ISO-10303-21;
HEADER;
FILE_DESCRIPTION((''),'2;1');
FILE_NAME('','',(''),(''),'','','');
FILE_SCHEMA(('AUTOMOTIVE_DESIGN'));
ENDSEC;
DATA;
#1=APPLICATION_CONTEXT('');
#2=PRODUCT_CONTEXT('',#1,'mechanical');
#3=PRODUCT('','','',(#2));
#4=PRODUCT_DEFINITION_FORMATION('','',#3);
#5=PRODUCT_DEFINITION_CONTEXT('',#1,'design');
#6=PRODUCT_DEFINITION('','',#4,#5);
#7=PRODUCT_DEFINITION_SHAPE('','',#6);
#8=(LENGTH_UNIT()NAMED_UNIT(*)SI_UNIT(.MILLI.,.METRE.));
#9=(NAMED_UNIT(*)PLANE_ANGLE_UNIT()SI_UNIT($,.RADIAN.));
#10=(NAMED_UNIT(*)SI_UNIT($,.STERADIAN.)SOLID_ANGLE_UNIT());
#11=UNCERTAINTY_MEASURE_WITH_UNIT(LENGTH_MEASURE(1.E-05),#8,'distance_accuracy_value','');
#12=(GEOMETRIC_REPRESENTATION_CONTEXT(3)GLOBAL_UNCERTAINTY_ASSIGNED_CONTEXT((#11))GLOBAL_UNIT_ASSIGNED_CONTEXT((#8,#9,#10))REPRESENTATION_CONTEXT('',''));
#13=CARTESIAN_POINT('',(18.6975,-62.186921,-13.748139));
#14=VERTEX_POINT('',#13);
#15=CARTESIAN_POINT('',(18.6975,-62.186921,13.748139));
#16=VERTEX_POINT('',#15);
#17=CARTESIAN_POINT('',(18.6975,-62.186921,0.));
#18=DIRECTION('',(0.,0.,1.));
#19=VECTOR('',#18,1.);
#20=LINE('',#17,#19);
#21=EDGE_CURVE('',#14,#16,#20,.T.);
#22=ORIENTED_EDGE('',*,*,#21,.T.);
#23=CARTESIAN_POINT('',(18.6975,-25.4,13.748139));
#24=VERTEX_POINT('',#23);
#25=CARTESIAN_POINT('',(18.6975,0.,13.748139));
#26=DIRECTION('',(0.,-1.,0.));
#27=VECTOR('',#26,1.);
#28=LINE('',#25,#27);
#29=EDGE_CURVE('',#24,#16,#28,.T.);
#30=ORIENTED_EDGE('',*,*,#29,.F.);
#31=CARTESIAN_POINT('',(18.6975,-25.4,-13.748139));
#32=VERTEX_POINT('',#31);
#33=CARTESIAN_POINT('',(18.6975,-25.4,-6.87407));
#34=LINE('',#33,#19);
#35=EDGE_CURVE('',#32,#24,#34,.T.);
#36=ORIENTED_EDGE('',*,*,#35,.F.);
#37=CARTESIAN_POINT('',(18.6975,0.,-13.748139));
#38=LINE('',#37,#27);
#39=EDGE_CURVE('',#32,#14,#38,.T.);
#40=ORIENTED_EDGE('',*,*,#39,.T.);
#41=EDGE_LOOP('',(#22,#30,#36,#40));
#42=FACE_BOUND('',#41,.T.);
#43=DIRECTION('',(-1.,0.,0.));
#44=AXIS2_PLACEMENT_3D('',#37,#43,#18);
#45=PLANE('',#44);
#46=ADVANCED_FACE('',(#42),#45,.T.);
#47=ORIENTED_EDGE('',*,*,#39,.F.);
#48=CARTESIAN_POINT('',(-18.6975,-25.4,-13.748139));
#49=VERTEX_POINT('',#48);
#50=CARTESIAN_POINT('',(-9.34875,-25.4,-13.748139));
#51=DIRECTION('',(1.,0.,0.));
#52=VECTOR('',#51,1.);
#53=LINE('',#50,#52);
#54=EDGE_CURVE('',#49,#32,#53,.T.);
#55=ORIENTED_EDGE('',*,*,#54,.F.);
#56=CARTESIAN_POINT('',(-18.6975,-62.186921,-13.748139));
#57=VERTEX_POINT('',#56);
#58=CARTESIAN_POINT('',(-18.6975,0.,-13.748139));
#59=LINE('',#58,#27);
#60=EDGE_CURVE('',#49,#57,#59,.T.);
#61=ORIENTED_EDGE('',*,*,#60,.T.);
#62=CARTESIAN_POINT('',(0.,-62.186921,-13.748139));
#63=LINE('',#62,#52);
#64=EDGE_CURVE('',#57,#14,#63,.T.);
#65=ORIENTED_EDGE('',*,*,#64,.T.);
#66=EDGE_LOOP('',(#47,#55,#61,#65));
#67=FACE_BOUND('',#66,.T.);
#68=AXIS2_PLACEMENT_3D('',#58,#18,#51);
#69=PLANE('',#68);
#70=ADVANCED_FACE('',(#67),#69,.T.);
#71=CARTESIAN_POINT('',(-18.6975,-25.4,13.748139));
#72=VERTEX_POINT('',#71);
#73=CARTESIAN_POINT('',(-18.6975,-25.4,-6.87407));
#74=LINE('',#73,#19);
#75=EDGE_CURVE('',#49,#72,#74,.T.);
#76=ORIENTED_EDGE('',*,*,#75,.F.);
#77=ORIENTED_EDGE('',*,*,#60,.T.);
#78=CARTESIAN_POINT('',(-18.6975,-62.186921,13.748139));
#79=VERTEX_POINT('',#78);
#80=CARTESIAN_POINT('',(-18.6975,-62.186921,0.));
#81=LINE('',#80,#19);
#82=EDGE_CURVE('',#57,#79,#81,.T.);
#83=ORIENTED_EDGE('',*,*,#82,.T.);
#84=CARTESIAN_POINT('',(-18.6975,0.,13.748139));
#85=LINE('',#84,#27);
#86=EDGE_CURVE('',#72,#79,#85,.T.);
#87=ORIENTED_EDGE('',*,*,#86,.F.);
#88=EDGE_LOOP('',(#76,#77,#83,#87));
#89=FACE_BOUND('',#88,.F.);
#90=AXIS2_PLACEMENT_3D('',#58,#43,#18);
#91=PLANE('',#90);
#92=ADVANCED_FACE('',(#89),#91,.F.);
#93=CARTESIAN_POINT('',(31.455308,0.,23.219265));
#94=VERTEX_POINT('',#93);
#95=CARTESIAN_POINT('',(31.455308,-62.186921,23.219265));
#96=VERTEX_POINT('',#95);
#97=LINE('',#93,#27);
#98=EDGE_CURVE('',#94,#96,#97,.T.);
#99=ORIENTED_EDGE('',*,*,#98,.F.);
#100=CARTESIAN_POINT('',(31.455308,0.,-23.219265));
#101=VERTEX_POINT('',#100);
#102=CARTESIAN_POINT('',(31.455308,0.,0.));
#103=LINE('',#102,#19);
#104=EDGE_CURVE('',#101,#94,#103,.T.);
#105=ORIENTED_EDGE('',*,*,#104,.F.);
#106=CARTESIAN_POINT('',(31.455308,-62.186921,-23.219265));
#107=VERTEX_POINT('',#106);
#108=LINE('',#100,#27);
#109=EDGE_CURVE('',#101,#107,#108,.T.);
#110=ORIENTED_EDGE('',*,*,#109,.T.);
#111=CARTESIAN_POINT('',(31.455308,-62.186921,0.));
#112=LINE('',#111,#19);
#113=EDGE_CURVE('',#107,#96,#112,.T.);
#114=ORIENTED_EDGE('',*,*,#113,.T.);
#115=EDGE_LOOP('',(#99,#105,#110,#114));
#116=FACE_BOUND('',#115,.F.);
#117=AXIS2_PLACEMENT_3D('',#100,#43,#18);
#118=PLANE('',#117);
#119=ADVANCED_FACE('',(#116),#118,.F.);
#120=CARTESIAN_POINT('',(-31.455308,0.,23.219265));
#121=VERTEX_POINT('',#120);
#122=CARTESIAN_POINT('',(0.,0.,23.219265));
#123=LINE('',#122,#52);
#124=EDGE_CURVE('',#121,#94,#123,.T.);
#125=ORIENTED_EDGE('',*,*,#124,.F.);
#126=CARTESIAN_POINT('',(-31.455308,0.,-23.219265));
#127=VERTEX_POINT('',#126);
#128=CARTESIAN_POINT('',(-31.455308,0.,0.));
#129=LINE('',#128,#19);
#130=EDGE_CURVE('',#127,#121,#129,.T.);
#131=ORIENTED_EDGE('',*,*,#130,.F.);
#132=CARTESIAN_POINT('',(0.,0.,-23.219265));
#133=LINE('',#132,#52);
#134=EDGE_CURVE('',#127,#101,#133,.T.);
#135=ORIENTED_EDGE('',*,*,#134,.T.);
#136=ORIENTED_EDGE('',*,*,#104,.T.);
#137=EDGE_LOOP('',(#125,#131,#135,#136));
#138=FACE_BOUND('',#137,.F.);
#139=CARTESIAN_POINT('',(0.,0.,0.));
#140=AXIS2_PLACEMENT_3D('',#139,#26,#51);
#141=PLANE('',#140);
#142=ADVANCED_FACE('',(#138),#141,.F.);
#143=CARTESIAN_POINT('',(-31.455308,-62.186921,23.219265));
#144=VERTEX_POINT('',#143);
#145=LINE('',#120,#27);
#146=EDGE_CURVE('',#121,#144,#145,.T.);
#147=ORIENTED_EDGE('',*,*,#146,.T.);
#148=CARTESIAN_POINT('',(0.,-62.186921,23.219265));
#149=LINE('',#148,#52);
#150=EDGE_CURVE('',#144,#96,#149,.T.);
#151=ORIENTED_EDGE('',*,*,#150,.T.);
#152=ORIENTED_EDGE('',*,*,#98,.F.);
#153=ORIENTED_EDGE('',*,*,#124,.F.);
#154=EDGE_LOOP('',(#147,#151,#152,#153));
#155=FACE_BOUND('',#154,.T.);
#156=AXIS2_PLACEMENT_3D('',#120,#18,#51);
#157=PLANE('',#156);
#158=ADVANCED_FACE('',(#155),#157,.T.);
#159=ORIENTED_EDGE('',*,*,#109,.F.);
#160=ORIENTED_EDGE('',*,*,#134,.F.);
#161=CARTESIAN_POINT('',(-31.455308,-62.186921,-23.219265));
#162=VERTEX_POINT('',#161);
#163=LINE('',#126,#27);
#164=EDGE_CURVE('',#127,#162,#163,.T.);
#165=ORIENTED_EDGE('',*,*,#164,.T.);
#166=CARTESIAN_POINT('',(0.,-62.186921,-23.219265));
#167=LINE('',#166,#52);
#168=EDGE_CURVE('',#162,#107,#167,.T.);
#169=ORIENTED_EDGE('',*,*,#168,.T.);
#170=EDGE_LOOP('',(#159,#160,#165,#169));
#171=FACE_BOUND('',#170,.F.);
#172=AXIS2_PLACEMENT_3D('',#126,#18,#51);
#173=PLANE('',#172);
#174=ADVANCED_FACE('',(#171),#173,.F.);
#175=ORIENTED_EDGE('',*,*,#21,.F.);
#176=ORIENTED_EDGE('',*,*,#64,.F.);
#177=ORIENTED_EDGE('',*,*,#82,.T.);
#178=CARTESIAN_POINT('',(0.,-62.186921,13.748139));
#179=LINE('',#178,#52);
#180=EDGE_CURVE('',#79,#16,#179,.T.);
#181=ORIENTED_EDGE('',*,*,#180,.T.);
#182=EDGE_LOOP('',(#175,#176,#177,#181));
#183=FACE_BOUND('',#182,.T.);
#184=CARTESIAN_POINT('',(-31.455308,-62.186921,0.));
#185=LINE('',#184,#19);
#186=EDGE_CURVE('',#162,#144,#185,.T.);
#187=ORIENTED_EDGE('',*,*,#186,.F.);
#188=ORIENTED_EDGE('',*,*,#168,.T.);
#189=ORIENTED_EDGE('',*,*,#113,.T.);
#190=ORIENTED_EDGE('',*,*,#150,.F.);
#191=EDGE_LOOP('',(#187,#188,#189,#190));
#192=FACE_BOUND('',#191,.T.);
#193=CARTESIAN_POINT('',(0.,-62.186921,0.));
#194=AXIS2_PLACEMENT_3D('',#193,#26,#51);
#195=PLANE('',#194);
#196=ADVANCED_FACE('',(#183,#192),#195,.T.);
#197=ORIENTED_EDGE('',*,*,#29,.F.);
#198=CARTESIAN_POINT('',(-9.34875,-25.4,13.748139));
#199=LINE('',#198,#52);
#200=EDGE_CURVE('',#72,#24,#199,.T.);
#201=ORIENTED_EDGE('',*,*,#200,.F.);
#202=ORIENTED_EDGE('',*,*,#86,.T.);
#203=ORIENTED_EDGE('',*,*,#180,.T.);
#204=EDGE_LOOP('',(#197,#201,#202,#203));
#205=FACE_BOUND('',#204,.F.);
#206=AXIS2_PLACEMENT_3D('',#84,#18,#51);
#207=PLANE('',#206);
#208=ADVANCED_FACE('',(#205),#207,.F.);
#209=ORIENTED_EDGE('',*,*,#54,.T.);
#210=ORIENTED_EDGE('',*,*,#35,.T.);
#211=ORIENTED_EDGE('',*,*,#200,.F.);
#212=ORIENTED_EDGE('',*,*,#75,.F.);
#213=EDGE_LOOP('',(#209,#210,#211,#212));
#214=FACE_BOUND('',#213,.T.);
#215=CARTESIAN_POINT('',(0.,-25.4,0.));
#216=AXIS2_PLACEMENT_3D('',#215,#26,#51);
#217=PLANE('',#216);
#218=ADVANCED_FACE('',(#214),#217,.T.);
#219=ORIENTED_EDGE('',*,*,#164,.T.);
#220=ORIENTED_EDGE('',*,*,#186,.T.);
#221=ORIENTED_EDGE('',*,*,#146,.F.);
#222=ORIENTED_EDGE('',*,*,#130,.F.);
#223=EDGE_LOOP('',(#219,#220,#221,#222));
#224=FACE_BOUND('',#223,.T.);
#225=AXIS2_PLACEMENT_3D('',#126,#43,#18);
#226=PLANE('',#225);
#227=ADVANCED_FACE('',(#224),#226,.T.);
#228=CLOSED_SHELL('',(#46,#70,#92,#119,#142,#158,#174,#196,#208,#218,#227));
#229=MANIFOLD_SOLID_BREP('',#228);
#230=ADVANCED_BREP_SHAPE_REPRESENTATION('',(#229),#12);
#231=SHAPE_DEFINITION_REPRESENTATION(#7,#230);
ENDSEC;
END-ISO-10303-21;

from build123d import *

# Parameters (mm, degrees)
F0_W     = 62.910616
F0_H     = 46.43853
F0_W_2   = 37.395
F0_H_2   = 27.496278
F1_DEPTH = 62.186921
F2_W     = 37.666064
F2_H     = 27.62061
F3_DEPTH = 25.4


with BuildPart() as f1:
    # F0 (on Front) → F1 (new body)
    with BuildSketch(Plane.XZ):
        Rectangle(F0_W, F0_H)
        Rectangle(F0_W_2, F0_H_2, mode=Mode.SUBTRACT)
    extrude(amount=F1_DEPTH)

    # F2 (on Front) → F3 (join)
    with BuildSketch(Plane.XZ):
        Rectangle(F2_W, F2_H)
    extrude(amount=F3_DEPTH)


solid = f1.part
